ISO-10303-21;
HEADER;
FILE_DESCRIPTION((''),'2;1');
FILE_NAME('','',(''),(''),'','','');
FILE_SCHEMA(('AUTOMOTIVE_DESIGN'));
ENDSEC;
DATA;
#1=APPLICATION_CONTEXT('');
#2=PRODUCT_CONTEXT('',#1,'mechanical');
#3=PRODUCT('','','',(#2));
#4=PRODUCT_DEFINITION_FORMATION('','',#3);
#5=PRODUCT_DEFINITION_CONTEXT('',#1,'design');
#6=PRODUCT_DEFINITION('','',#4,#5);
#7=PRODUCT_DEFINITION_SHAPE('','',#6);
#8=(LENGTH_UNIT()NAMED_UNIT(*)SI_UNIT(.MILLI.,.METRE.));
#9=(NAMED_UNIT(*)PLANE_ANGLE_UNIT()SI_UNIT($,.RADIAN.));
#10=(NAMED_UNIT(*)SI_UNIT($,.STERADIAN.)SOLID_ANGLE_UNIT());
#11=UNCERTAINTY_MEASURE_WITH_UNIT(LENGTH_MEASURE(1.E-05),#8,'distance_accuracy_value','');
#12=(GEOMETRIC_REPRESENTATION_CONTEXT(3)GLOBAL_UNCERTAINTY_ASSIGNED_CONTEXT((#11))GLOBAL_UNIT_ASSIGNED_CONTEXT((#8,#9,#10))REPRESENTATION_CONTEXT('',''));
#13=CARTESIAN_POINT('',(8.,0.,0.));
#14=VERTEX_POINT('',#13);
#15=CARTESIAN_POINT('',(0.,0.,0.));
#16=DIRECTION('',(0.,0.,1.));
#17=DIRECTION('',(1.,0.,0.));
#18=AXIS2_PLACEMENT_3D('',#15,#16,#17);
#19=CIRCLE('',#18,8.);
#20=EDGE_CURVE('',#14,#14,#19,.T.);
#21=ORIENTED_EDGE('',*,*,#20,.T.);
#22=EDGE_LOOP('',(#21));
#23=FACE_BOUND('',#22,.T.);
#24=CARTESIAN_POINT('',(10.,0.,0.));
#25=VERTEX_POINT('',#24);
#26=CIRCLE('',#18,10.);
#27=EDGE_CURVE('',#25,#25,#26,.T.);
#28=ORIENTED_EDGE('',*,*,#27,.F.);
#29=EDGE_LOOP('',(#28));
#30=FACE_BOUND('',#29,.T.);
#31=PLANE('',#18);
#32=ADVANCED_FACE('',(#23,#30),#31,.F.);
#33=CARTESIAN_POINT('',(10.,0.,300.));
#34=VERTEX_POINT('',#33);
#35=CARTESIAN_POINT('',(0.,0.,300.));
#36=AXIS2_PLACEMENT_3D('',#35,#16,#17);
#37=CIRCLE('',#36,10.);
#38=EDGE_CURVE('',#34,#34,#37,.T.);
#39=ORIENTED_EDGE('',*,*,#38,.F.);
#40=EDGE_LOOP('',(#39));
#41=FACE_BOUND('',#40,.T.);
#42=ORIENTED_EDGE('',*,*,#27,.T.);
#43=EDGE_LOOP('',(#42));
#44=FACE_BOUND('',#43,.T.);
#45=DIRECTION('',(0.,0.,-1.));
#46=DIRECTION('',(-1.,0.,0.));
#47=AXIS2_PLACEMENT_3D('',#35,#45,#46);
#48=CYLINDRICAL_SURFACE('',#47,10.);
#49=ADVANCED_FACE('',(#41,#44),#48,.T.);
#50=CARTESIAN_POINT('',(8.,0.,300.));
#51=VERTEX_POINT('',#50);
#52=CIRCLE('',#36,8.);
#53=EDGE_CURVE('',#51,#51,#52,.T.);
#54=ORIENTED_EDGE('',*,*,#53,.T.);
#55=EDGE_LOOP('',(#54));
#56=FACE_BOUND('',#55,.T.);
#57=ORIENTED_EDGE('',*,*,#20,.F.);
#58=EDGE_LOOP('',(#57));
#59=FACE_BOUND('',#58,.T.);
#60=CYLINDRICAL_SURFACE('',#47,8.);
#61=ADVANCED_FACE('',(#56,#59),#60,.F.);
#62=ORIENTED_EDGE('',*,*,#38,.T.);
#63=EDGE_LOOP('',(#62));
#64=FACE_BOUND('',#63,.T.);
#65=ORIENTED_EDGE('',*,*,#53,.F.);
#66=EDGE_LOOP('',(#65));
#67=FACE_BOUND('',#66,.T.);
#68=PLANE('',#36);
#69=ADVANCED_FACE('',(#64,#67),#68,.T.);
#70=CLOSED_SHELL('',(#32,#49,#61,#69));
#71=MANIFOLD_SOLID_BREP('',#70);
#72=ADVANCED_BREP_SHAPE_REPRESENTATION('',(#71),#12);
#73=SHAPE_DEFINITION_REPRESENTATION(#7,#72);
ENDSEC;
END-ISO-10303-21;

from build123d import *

# Parameters (mm, degrees)
SZKIC1_R                    = 10
SZKIC1_R_2                  = 8
DODANIE_WYCI_GNI_CIE1_DEPTH = 300


with BuildPart() as part:
    # Szkic1 → Dodanie-wyciągnięcie1 (new body)
    with BuildSketch(Plane.XY):
        Circle(SZKIC1_R)
        Circle(SZKIC1_R_2, mode=Mode.SUBTRACT)
    extrude(amount=DODANIE_WYCI_GNI_CIE1_DEPTH)


solid = part.part
